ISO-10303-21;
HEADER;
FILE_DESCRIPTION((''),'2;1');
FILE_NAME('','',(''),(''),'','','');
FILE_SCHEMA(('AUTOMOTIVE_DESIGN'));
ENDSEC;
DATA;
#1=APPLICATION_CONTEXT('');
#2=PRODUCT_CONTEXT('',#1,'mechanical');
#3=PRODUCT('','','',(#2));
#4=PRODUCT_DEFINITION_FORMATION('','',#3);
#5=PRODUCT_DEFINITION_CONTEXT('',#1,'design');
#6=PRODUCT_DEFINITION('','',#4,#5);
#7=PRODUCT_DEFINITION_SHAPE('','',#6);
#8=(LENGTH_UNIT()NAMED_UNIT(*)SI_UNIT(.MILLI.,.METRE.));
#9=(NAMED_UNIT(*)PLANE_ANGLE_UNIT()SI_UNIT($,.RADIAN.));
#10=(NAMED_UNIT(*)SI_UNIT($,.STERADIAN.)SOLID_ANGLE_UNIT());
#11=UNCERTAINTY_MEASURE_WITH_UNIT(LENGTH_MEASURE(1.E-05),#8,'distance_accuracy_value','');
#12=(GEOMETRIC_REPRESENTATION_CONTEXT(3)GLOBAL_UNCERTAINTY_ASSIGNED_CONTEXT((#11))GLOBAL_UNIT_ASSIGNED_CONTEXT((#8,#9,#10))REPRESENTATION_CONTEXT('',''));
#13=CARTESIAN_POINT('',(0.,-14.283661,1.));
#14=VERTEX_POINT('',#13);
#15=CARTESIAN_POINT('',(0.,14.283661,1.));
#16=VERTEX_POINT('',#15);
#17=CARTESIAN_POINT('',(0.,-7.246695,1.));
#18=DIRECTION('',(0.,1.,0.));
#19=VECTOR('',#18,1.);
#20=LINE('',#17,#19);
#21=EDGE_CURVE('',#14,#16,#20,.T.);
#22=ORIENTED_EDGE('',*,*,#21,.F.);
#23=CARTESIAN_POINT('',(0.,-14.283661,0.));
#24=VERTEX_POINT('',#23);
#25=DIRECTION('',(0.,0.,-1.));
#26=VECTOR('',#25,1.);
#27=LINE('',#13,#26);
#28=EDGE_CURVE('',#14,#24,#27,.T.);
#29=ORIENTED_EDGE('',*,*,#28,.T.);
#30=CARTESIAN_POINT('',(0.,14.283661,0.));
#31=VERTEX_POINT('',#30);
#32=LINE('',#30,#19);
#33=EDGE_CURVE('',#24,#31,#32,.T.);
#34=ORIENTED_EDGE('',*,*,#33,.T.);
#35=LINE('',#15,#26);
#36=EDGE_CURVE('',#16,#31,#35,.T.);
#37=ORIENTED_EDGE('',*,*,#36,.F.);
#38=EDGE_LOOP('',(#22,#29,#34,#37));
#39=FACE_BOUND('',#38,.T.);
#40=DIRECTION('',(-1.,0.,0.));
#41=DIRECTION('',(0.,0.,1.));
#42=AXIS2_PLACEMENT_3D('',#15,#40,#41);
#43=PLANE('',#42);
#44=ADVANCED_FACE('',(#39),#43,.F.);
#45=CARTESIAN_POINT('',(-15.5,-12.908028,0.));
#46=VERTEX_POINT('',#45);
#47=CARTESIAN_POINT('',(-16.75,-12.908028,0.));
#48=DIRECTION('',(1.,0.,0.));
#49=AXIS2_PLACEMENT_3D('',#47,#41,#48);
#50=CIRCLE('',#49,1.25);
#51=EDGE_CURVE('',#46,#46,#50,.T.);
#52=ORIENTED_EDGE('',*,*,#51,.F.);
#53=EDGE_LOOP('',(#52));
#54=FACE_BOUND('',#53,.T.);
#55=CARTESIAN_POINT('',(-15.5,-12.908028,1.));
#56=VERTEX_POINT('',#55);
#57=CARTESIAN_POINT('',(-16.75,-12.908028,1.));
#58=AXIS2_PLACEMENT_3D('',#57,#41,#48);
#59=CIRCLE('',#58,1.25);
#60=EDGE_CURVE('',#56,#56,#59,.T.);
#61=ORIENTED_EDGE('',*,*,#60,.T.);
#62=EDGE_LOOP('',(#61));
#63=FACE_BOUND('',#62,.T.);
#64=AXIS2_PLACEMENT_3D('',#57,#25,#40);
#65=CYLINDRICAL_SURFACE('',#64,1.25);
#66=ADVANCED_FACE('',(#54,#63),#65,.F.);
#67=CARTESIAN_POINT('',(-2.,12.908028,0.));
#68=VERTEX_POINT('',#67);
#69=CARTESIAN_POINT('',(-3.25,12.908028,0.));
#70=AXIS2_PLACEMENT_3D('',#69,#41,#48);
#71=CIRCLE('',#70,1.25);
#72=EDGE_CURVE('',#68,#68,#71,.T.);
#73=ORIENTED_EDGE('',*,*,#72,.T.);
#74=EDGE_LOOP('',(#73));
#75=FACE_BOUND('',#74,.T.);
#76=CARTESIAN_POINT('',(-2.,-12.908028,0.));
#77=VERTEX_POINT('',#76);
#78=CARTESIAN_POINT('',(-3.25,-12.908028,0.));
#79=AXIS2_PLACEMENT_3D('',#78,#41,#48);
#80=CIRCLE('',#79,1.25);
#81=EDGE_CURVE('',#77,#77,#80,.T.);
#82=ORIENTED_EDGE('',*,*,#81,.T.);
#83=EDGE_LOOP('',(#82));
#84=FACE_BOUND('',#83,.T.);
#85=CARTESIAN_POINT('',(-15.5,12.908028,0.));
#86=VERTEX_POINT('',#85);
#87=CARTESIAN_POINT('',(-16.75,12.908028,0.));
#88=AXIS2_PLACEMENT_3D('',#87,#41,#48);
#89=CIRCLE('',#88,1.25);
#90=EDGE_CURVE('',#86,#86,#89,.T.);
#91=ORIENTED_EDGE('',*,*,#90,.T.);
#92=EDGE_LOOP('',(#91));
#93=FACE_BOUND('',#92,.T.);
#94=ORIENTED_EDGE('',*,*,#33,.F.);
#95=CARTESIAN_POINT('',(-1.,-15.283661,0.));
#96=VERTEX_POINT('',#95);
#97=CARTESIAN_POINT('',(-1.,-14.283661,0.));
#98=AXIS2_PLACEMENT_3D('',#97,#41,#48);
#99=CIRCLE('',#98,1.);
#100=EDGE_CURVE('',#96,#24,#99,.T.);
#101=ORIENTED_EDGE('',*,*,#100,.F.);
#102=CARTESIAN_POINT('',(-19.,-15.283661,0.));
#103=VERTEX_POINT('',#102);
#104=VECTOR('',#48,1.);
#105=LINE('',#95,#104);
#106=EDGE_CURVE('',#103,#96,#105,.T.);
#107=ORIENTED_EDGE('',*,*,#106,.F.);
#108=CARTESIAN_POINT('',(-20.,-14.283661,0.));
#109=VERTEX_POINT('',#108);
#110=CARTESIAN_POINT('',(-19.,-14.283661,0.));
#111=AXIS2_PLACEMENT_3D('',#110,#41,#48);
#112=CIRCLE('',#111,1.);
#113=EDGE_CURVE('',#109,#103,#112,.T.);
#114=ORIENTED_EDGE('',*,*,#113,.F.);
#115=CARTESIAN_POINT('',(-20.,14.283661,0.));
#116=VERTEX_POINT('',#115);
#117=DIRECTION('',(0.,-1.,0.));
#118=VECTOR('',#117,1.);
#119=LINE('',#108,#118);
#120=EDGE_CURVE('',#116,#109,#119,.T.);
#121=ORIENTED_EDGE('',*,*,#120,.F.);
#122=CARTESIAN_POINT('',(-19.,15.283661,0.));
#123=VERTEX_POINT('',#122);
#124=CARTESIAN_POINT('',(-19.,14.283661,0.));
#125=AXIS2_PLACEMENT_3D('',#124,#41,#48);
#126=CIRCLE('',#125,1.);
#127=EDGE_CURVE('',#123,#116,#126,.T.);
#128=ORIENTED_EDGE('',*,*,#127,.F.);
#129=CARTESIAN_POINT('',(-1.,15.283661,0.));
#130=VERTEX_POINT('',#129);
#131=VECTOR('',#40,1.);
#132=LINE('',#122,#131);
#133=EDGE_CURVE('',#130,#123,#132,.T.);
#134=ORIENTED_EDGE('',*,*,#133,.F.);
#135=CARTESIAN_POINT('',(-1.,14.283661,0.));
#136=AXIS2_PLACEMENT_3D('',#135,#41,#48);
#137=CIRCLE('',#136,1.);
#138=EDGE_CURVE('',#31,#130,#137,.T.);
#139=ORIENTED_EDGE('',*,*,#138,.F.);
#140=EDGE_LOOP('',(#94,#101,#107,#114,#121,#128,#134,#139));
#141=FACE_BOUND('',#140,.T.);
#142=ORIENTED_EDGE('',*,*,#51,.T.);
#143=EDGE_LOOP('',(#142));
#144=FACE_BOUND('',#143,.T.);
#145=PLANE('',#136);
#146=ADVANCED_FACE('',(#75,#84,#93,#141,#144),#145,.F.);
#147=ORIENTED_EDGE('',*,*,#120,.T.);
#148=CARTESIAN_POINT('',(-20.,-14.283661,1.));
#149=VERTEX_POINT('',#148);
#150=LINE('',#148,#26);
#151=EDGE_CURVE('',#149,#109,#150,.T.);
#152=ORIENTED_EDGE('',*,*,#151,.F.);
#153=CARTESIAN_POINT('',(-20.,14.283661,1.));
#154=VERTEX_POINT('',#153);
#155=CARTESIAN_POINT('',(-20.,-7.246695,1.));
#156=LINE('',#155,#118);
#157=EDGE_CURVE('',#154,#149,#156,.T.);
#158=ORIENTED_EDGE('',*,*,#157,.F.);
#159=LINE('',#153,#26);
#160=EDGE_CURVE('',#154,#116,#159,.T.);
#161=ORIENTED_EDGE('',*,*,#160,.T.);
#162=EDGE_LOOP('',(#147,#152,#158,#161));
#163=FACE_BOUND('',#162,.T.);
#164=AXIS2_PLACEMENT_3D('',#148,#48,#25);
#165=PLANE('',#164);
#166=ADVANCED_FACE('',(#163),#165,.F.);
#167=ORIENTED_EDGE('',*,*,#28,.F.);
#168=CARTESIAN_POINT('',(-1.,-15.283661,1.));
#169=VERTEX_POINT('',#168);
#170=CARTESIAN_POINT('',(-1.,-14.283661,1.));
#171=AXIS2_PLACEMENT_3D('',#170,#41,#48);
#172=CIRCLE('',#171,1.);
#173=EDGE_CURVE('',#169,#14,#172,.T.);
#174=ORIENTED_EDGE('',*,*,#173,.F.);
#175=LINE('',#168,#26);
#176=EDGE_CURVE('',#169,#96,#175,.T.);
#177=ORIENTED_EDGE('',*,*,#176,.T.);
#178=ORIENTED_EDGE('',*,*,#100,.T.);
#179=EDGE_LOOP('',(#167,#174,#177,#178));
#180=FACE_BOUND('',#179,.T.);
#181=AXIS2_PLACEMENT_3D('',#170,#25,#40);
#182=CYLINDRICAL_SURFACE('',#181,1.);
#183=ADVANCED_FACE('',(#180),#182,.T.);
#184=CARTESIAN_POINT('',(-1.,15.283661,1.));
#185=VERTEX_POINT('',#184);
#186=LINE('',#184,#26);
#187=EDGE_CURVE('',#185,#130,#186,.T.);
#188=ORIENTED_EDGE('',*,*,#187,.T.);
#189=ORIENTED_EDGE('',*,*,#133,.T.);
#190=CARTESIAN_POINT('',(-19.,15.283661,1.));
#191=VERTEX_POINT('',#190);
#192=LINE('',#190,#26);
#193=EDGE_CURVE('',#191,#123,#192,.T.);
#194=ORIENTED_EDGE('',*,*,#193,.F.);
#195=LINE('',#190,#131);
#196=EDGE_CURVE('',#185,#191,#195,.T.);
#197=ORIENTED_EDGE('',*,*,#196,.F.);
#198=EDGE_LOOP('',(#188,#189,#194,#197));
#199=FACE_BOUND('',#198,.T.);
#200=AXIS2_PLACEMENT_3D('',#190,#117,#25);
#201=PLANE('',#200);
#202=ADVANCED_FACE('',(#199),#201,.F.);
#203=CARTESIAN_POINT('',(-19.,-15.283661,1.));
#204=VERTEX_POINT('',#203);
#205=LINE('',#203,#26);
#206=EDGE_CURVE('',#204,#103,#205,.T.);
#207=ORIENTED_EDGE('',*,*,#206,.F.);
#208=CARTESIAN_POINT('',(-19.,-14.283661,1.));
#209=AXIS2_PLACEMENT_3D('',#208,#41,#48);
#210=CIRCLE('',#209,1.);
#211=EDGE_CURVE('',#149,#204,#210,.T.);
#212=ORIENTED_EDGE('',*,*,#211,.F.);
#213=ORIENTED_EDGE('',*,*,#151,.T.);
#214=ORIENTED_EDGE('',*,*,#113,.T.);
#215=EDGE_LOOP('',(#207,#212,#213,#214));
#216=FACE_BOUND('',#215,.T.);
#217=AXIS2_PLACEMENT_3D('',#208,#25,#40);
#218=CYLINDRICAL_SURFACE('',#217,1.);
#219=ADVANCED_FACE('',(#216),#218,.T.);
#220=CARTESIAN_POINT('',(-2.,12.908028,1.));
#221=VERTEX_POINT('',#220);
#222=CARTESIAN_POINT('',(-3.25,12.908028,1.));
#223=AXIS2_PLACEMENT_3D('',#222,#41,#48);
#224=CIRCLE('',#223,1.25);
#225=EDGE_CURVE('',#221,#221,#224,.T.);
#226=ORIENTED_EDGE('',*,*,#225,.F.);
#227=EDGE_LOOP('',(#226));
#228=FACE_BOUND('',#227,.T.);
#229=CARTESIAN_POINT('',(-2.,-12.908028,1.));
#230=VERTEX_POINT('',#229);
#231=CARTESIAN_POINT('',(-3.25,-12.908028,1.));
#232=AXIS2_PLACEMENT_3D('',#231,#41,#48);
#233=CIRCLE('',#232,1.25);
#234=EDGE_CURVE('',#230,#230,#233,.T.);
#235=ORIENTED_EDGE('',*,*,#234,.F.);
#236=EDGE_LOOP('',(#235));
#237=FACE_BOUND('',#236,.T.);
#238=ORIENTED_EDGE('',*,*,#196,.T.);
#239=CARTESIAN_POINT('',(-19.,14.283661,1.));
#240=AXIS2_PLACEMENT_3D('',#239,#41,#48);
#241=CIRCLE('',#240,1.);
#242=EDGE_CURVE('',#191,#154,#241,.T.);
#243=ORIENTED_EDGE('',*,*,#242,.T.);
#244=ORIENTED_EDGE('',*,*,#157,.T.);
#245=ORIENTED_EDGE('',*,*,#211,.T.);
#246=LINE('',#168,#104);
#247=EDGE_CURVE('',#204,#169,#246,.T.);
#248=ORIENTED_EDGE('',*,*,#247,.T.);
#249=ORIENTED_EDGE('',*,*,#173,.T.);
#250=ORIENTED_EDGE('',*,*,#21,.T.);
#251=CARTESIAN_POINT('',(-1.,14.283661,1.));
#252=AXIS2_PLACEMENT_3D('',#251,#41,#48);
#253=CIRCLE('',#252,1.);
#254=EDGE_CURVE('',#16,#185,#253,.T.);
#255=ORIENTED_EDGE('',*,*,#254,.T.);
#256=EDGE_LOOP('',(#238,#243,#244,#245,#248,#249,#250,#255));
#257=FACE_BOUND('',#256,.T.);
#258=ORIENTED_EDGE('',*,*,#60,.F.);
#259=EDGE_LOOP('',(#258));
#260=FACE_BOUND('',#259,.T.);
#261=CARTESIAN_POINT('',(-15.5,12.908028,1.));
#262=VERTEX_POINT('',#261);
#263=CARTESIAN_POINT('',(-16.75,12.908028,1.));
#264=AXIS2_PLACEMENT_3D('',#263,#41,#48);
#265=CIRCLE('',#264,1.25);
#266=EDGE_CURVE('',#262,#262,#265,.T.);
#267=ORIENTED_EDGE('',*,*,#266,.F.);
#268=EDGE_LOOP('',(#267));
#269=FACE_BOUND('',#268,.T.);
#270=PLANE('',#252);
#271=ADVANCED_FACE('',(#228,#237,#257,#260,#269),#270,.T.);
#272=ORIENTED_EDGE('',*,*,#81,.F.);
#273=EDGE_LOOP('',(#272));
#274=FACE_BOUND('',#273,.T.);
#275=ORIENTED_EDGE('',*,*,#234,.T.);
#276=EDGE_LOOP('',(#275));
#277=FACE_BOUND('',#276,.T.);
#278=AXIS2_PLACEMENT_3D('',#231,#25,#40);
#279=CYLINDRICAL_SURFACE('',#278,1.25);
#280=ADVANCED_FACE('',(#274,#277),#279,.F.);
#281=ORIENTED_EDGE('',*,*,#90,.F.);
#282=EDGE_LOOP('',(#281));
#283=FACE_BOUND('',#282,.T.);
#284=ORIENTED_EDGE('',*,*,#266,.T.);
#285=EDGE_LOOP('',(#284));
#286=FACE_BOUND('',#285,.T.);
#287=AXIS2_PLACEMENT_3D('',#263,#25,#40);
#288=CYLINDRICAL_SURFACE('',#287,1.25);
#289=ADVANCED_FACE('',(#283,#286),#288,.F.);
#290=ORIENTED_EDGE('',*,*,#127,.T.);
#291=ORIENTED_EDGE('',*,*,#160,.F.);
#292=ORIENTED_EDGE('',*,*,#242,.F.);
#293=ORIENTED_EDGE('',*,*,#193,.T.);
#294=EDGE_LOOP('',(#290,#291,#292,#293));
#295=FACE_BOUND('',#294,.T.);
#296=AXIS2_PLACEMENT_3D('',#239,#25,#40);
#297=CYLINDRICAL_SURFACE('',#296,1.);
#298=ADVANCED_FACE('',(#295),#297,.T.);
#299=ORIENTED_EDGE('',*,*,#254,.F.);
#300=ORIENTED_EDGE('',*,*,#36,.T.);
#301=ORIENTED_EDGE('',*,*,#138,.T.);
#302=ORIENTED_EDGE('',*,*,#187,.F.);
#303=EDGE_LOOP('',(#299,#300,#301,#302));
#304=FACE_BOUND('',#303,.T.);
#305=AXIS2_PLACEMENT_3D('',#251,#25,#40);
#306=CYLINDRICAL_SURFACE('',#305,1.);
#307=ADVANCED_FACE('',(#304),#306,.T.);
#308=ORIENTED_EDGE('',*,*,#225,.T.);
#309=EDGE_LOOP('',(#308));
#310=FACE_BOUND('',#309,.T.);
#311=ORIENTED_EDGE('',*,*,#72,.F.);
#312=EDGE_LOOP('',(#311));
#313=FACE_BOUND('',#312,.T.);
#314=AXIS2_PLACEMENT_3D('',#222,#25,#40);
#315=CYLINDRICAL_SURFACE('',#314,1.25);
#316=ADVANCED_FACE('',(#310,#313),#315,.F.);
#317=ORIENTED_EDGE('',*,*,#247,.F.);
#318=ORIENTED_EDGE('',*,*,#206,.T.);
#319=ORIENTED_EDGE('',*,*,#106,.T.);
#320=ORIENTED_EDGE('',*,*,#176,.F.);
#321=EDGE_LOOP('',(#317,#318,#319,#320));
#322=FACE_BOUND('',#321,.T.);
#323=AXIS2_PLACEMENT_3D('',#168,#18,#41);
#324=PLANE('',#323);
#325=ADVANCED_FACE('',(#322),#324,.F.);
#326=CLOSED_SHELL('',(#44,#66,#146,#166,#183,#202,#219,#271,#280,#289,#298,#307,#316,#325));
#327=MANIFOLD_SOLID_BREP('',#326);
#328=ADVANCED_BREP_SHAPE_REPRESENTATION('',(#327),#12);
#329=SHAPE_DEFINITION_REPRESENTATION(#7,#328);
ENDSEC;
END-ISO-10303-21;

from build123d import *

# Parameters (mm, degrees)
SKETCH1_R           = 1.25
BOSS_EXTRUDE1_DEPTH = 1


with BuildPart() as part:
    # Sketch1 → Boss-Extrude1 (new body)
    with BuildSketch(Plane.XY):
        with BuildLine():
            Line((0, 14.283660896), (0, -7.246695314))
            Line((0, -7.246695314), (0, -14.283660896))
            ThreePointArc((0, -14.283660896), (-0.292893219, -14.990767678), (-1, -15.283660896))
            Line((-1, -15.283660896), (-19, -15.283660896))
            ThreePointArc((-19, -15.283660896), (-19.707106781, -14.990767678), (-20, -14.283660896))
            Line((-20, -14.283660896), (-20, -7.246695314))
            Line((-20, -7.246695314), (-20, 14.283660896))
            ThreePointArc((-20, 14.283660896), (-19.707106781, 14.990767678), (-19, 15.283660896))
            Line((-19, 15.283660896), (-1, 15.283660896))
            ThreePointArc((-1, 15.283660896), (-0.292893219, 14.990767678), (0, 14.283660896))
        make_face()
        with Locations((-16.75, -12.908028273)):
            Circle(SKETCH1_R, mode=Mode.SUBTRACT)
        with Locations((-3.25, -12.908028273)):
            Circle(SKETCH1_R, mode=Mode.SUBTRACT)
        with Locations((-3.25, 12.908028273)):
            Circle(SKETCH1_R, mode=Mode.SUBTRACT)
        with Locations((-16.75, 12.908028273)):
            Circle(SKETCH1_R, mode=Mode.SUBTRACT)
    extrude(amount=BOSS_EXTRUDE1_DEPTH)


solid = part.part
